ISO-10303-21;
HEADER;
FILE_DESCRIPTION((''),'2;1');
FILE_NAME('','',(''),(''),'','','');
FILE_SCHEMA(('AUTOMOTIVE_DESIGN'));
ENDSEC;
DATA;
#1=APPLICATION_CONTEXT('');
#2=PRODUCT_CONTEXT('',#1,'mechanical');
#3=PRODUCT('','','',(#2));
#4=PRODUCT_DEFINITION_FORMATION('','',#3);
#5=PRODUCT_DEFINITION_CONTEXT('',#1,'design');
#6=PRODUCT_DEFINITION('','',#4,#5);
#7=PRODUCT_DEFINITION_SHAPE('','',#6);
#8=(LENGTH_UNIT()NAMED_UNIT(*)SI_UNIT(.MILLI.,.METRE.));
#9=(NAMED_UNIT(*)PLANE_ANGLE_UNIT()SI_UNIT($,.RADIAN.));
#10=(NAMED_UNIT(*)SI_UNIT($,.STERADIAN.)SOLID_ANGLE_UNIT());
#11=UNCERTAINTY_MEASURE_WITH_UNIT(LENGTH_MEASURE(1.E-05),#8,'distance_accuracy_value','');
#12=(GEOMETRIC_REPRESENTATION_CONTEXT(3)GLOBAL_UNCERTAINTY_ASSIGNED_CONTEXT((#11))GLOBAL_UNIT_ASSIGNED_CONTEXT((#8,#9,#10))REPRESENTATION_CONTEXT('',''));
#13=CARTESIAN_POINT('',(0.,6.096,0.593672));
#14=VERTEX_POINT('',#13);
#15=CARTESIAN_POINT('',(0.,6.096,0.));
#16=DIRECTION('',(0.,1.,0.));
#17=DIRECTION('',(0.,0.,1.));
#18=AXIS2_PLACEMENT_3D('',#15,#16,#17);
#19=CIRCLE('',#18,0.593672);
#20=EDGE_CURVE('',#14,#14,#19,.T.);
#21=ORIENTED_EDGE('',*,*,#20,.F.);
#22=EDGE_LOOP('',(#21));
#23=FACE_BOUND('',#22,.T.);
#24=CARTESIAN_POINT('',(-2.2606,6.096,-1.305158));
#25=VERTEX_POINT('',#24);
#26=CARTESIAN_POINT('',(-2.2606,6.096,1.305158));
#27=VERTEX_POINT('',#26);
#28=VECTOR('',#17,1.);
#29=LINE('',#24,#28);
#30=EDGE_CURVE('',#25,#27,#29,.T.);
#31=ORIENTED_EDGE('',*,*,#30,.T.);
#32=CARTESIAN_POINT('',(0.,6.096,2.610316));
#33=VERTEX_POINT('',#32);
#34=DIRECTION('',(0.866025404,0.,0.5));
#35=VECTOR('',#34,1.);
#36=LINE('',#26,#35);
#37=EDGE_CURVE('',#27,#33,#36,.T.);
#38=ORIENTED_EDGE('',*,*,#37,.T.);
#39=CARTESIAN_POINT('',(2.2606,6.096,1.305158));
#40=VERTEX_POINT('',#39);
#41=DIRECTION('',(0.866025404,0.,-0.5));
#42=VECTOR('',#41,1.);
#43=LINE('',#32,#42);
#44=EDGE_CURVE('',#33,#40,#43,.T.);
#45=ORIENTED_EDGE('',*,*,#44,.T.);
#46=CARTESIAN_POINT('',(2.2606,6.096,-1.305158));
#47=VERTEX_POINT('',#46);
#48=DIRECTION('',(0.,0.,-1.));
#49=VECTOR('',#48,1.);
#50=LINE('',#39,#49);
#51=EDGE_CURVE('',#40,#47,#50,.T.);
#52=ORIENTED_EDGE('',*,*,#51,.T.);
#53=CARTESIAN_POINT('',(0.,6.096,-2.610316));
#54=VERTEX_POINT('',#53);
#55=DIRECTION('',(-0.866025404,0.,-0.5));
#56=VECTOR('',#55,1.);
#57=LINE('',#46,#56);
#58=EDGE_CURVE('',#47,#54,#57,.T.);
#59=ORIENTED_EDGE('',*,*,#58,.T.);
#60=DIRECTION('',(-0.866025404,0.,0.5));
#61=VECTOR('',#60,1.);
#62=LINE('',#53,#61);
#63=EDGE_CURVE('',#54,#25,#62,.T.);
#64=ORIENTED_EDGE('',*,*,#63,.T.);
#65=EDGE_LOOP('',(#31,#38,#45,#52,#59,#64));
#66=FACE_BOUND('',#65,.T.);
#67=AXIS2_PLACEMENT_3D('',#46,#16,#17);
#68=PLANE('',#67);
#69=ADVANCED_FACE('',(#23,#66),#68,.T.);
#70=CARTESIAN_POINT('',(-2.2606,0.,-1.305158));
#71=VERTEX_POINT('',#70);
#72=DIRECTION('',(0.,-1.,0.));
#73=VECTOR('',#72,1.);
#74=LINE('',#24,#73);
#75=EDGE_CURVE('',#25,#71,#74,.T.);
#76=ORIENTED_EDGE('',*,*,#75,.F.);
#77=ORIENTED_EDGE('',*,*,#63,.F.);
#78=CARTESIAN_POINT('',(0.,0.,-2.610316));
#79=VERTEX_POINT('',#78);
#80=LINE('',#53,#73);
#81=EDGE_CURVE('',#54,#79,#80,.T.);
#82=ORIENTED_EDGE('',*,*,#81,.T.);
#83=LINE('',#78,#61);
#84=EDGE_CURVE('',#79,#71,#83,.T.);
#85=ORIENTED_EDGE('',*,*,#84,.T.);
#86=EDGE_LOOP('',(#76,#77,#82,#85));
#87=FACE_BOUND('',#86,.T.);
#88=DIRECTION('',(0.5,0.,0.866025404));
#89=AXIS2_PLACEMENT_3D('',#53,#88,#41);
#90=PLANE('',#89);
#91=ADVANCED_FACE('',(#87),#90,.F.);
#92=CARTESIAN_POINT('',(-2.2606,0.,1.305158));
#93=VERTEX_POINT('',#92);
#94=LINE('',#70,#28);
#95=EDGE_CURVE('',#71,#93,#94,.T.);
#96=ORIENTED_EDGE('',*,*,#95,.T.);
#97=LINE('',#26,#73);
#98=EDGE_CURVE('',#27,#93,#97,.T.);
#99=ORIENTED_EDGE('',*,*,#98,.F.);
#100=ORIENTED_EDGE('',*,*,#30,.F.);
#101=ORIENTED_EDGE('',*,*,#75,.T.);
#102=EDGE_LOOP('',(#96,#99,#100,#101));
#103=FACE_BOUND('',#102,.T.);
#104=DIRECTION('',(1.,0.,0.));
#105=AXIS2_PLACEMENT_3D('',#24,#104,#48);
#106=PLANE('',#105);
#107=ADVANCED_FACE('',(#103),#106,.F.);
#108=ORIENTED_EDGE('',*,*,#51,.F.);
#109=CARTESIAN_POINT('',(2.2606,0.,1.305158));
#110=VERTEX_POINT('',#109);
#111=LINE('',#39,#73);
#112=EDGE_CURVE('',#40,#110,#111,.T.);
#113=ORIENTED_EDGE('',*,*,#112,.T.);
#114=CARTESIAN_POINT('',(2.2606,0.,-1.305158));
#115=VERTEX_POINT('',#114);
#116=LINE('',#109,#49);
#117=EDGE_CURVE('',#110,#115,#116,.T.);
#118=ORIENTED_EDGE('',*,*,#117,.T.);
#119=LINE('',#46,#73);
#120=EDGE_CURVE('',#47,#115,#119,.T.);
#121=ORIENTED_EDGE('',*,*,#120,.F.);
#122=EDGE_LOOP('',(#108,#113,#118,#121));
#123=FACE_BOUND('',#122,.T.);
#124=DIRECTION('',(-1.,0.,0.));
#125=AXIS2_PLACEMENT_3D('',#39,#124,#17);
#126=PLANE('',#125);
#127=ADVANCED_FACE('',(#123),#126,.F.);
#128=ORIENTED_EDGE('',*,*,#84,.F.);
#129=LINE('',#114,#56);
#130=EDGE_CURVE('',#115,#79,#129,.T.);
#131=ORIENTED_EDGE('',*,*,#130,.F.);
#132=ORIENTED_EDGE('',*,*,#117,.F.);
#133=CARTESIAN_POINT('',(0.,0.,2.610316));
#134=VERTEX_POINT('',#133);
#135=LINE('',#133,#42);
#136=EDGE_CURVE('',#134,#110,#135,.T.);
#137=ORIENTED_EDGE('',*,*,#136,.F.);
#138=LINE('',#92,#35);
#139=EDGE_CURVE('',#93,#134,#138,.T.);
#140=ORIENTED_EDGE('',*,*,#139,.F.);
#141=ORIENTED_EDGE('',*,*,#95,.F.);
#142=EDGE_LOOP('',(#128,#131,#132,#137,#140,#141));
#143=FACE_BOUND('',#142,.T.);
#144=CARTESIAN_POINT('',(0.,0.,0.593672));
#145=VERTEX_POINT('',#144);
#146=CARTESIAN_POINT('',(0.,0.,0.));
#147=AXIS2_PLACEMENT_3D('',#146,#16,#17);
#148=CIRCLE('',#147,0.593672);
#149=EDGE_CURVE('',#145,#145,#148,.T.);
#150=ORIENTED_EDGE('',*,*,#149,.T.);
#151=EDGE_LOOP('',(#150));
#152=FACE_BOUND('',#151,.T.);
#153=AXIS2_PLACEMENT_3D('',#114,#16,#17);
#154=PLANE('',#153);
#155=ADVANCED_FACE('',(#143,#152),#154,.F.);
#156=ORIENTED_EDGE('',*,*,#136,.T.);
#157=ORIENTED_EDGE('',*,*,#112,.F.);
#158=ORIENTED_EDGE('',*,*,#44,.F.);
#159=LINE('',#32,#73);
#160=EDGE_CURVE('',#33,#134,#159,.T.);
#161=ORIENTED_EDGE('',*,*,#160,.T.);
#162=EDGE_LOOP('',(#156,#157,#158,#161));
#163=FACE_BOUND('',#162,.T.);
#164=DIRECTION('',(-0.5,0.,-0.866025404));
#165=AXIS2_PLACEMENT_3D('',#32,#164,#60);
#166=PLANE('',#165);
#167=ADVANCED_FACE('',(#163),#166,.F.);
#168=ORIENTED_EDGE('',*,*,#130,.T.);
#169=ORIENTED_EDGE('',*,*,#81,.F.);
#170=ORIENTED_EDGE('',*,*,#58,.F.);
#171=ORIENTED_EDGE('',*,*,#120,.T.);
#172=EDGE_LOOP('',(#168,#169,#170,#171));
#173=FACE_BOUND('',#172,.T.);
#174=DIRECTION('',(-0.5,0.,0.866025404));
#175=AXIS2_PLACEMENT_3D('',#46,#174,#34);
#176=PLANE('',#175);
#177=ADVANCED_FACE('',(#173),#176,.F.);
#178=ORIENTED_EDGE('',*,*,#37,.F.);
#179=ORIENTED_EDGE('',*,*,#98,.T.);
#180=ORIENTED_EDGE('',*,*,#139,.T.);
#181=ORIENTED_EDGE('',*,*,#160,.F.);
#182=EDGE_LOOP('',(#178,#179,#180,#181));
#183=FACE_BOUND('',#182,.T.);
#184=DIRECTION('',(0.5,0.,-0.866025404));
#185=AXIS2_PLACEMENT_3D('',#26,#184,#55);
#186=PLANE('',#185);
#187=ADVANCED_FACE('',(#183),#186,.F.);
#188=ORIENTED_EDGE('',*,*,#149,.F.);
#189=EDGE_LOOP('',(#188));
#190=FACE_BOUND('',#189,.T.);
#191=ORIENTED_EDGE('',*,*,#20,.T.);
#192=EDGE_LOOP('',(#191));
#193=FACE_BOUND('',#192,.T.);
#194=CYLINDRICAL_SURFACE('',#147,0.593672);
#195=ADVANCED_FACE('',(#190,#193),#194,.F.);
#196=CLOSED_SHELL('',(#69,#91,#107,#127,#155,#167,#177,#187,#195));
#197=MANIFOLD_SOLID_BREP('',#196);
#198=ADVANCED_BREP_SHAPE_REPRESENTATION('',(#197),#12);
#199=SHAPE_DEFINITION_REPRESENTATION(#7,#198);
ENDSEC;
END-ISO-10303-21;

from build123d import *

# Parameters (mm, degrees)
BOSS_EXTRUDE1_DEPTH = 6.096
SKETCH3_R           = 0.593671867
CUT_EXTRUDE1_DEPTH  = 8.00608865


with BuildPart() as part:
    # Sketch1 → Boss-Extrude1 (new body)
    with BuildSketch(Plane(origin=(0, 0, 0), x_dir=(1, 0, 0), z_dir=(0, 1, 0))):
        Polygon((2.2606, 1.305158019), (0, 2.610316037), (-2.2606, 1.305158019), (-2.2606, -1.305158019), (0, -2.610316037), (2.2606, -1.305158019), align=None)
    extrude(amount=BOSS_EXTRUDE1_DEPTH)

    # Sketch3 → Cut-Extrude1 (cut, through all)
    with BuildSketch(Plane(origin=(0, 6.096, 0), x_dir=(1, 0, 0), z_dir=(0, 1, 0))):
        with Locations(Location((0, 0, 0), (0, 0, 270))):
            Circle(SKETCH3_R)
    extrude(amount=-CUT_EXTRUDE1_DEPTH, mode=Mode.SUBTRACT)


solid = part.part
